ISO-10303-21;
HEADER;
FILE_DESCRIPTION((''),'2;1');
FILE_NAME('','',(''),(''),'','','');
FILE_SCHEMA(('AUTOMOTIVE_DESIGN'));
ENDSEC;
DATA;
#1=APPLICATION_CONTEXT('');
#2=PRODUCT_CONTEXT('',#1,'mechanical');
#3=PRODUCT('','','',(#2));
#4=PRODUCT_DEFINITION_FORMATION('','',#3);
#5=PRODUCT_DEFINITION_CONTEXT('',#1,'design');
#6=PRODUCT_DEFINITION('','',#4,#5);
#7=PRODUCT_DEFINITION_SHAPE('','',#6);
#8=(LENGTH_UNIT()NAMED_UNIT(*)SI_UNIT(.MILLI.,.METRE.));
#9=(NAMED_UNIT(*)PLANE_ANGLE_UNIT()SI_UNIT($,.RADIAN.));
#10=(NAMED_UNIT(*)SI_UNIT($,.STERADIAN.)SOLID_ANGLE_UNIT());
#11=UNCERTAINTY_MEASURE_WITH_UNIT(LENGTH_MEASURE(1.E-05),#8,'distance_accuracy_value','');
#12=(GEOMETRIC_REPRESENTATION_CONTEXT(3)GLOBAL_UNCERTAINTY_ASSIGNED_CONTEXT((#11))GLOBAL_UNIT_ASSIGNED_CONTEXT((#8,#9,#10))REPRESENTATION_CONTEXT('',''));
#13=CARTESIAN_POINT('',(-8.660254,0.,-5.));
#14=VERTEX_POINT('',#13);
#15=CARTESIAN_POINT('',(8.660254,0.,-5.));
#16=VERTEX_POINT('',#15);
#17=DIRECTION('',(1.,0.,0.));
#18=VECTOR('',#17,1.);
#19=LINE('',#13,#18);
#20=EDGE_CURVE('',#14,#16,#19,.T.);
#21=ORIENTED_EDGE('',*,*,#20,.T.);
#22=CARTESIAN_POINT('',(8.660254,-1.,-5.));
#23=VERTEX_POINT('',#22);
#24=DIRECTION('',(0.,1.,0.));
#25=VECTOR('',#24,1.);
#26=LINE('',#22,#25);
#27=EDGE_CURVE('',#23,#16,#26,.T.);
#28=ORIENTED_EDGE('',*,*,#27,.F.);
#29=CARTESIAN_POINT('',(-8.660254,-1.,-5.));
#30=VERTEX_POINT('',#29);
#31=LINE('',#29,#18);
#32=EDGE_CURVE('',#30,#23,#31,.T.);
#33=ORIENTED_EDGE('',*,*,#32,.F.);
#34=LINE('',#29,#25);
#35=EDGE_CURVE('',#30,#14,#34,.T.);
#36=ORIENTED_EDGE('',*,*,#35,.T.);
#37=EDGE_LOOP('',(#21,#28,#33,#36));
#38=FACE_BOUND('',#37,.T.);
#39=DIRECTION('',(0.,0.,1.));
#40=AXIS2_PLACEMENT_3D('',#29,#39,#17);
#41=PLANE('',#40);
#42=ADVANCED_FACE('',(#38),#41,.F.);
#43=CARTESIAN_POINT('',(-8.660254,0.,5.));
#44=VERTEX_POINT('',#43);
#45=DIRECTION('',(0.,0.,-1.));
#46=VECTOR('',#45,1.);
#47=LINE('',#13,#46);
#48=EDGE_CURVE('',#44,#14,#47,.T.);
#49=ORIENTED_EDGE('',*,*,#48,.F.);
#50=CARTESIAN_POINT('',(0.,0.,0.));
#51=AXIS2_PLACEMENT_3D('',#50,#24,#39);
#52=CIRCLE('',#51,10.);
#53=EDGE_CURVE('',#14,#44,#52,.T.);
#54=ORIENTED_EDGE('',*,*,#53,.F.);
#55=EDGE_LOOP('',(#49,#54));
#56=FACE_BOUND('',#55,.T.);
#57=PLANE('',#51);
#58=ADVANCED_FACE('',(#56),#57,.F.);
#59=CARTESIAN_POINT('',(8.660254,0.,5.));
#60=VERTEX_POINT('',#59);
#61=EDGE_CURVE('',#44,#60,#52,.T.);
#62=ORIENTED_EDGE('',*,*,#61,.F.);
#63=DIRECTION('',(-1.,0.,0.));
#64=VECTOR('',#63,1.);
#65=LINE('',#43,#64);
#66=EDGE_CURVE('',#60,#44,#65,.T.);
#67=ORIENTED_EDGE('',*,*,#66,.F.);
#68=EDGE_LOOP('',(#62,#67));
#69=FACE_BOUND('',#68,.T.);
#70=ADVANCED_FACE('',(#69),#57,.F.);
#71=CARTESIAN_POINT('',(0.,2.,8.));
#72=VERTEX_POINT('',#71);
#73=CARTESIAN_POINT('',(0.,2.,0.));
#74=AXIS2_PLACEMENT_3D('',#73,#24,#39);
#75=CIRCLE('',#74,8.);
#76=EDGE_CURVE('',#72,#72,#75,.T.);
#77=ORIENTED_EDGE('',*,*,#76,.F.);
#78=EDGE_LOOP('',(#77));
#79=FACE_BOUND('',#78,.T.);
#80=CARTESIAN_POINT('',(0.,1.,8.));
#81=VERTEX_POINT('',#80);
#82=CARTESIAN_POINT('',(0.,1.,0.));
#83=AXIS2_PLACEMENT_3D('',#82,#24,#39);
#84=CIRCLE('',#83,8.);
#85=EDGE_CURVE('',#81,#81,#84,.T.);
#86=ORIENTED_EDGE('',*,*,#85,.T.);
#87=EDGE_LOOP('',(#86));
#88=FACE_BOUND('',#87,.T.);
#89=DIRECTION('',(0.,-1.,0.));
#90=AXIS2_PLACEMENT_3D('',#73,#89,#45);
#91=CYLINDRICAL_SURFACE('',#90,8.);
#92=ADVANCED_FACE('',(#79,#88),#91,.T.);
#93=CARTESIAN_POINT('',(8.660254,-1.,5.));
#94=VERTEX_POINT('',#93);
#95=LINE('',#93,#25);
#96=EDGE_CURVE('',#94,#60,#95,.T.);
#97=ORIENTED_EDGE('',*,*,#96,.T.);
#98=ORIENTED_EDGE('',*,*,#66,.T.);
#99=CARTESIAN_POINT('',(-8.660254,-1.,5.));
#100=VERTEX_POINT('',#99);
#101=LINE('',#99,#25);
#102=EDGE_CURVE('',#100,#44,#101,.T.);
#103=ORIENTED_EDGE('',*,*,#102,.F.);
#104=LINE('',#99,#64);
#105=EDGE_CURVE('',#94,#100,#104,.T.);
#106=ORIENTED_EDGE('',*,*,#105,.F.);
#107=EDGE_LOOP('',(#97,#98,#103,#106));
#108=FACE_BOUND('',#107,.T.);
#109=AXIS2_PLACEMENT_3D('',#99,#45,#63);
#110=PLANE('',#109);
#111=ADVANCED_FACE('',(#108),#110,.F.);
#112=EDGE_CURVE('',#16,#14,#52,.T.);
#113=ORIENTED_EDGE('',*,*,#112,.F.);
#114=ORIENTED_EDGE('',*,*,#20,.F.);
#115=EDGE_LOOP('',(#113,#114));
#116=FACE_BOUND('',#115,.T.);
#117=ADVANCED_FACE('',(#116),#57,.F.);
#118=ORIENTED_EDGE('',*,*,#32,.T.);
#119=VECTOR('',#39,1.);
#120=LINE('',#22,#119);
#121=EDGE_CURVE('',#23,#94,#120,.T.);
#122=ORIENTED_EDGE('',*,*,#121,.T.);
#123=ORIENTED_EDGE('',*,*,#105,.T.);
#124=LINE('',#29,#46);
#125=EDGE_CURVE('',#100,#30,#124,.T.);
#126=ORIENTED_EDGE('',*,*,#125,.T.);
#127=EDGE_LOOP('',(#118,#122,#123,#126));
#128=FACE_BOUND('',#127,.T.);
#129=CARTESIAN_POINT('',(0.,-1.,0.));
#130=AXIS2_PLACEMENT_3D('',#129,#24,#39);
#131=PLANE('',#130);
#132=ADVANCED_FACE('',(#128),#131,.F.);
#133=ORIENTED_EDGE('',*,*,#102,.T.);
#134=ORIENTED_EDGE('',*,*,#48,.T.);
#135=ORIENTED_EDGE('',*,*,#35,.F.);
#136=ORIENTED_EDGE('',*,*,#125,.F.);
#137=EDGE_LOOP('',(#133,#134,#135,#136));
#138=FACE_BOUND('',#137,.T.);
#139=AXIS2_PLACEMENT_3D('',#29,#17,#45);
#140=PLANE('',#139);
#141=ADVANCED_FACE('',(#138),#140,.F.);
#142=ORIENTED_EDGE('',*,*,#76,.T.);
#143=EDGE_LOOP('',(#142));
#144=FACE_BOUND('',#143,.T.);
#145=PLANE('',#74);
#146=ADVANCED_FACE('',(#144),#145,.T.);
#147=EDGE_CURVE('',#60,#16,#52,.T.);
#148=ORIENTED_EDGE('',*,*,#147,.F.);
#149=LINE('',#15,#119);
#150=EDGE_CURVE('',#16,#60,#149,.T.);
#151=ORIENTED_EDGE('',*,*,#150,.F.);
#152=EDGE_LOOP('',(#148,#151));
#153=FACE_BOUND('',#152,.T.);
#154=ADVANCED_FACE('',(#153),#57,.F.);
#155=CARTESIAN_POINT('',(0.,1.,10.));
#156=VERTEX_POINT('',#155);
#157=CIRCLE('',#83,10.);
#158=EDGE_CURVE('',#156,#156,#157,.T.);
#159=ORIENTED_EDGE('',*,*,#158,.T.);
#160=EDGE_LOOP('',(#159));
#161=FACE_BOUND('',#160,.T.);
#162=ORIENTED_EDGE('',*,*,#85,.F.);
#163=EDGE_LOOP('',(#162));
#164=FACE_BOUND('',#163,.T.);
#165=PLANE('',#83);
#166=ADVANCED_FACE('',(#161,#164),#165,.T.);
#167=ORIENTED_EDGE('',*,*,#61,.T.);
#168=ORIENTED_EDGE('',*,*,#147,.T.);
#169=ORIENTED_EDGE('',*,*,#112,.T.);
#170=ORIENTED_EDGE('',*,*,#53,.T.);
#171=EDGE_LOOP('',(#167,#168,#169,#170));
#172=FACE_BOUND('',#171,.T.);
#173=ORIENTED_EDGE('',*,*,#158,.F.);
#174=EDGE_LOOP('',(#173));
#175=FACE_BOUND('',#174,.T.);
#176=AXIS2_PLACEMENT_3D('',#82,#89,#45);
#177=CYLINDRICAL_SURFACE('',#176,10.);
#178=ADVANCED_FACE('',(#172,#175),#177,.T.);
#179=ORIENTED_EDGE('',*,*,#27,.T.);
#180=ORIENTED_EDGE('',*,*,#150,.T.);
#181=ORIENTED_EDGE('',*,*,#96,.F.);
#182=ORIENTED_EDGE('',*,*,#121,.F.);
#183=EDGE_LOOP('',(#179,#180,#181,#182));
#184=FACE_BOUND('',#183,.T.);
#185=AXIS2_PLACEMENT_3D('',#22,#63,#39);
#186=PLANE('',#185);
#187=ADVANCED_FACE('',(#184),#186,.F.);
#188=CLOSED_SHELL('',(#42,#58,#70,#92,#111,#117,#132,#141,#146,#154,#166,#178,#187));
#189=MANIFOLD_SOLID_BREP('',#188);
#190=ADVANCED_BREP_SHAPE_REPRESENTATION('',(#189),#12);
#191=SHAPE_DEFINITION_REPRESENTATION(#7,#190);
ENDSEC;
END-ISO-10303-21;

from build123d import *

# Parameters (mm, degrees)
ESBO_O1_R                = 10
RESSALTO_EXTRUS_O1_DEPTH = 1
ESBO_O2_R                = 8
RESSALTO_EXTRUS_O2_DEPTH = 1
ESBO_O3_W                = 17.320508076
ESBO_O3_H                = 10
RESSALTO_EXTRUS_O3_DEPTH = 1


with BuildPart() as part:
    # Esboço1 → Ressalto-extrusão1 (new body)
    with BuildSketch(Plane(origin=(0, 0, 0), x_dir=(1, 0, 0), z_dir=(0, 1, 0))):
        Circle(ESBO_O1_R)
    extrude(amount=RESSALTO_EXTRUS_O1_DEPTH)

    # Esboço2 → Ressalto-extrusão2 (add)
    with BuildSketch(Plane(origin=(0, 1, 0), x_dir=(1, 0, 0), z_dir=(0, 1, 0))):
        Circle(ESBO_O2_R)
    extrude(amount=RESSALTO_EXTRUS_O2_DEPTH)

    # Esboço3 → Ressalto-extrusão3 (add)
    with BuildSketch(Plane.XZ):
        Rectangle(ESBO_O3_W, ESBO_O3_H)
    extrude(amount=RESSALTO_EXTRUS_O3_DEPTH)


solid = part.part
